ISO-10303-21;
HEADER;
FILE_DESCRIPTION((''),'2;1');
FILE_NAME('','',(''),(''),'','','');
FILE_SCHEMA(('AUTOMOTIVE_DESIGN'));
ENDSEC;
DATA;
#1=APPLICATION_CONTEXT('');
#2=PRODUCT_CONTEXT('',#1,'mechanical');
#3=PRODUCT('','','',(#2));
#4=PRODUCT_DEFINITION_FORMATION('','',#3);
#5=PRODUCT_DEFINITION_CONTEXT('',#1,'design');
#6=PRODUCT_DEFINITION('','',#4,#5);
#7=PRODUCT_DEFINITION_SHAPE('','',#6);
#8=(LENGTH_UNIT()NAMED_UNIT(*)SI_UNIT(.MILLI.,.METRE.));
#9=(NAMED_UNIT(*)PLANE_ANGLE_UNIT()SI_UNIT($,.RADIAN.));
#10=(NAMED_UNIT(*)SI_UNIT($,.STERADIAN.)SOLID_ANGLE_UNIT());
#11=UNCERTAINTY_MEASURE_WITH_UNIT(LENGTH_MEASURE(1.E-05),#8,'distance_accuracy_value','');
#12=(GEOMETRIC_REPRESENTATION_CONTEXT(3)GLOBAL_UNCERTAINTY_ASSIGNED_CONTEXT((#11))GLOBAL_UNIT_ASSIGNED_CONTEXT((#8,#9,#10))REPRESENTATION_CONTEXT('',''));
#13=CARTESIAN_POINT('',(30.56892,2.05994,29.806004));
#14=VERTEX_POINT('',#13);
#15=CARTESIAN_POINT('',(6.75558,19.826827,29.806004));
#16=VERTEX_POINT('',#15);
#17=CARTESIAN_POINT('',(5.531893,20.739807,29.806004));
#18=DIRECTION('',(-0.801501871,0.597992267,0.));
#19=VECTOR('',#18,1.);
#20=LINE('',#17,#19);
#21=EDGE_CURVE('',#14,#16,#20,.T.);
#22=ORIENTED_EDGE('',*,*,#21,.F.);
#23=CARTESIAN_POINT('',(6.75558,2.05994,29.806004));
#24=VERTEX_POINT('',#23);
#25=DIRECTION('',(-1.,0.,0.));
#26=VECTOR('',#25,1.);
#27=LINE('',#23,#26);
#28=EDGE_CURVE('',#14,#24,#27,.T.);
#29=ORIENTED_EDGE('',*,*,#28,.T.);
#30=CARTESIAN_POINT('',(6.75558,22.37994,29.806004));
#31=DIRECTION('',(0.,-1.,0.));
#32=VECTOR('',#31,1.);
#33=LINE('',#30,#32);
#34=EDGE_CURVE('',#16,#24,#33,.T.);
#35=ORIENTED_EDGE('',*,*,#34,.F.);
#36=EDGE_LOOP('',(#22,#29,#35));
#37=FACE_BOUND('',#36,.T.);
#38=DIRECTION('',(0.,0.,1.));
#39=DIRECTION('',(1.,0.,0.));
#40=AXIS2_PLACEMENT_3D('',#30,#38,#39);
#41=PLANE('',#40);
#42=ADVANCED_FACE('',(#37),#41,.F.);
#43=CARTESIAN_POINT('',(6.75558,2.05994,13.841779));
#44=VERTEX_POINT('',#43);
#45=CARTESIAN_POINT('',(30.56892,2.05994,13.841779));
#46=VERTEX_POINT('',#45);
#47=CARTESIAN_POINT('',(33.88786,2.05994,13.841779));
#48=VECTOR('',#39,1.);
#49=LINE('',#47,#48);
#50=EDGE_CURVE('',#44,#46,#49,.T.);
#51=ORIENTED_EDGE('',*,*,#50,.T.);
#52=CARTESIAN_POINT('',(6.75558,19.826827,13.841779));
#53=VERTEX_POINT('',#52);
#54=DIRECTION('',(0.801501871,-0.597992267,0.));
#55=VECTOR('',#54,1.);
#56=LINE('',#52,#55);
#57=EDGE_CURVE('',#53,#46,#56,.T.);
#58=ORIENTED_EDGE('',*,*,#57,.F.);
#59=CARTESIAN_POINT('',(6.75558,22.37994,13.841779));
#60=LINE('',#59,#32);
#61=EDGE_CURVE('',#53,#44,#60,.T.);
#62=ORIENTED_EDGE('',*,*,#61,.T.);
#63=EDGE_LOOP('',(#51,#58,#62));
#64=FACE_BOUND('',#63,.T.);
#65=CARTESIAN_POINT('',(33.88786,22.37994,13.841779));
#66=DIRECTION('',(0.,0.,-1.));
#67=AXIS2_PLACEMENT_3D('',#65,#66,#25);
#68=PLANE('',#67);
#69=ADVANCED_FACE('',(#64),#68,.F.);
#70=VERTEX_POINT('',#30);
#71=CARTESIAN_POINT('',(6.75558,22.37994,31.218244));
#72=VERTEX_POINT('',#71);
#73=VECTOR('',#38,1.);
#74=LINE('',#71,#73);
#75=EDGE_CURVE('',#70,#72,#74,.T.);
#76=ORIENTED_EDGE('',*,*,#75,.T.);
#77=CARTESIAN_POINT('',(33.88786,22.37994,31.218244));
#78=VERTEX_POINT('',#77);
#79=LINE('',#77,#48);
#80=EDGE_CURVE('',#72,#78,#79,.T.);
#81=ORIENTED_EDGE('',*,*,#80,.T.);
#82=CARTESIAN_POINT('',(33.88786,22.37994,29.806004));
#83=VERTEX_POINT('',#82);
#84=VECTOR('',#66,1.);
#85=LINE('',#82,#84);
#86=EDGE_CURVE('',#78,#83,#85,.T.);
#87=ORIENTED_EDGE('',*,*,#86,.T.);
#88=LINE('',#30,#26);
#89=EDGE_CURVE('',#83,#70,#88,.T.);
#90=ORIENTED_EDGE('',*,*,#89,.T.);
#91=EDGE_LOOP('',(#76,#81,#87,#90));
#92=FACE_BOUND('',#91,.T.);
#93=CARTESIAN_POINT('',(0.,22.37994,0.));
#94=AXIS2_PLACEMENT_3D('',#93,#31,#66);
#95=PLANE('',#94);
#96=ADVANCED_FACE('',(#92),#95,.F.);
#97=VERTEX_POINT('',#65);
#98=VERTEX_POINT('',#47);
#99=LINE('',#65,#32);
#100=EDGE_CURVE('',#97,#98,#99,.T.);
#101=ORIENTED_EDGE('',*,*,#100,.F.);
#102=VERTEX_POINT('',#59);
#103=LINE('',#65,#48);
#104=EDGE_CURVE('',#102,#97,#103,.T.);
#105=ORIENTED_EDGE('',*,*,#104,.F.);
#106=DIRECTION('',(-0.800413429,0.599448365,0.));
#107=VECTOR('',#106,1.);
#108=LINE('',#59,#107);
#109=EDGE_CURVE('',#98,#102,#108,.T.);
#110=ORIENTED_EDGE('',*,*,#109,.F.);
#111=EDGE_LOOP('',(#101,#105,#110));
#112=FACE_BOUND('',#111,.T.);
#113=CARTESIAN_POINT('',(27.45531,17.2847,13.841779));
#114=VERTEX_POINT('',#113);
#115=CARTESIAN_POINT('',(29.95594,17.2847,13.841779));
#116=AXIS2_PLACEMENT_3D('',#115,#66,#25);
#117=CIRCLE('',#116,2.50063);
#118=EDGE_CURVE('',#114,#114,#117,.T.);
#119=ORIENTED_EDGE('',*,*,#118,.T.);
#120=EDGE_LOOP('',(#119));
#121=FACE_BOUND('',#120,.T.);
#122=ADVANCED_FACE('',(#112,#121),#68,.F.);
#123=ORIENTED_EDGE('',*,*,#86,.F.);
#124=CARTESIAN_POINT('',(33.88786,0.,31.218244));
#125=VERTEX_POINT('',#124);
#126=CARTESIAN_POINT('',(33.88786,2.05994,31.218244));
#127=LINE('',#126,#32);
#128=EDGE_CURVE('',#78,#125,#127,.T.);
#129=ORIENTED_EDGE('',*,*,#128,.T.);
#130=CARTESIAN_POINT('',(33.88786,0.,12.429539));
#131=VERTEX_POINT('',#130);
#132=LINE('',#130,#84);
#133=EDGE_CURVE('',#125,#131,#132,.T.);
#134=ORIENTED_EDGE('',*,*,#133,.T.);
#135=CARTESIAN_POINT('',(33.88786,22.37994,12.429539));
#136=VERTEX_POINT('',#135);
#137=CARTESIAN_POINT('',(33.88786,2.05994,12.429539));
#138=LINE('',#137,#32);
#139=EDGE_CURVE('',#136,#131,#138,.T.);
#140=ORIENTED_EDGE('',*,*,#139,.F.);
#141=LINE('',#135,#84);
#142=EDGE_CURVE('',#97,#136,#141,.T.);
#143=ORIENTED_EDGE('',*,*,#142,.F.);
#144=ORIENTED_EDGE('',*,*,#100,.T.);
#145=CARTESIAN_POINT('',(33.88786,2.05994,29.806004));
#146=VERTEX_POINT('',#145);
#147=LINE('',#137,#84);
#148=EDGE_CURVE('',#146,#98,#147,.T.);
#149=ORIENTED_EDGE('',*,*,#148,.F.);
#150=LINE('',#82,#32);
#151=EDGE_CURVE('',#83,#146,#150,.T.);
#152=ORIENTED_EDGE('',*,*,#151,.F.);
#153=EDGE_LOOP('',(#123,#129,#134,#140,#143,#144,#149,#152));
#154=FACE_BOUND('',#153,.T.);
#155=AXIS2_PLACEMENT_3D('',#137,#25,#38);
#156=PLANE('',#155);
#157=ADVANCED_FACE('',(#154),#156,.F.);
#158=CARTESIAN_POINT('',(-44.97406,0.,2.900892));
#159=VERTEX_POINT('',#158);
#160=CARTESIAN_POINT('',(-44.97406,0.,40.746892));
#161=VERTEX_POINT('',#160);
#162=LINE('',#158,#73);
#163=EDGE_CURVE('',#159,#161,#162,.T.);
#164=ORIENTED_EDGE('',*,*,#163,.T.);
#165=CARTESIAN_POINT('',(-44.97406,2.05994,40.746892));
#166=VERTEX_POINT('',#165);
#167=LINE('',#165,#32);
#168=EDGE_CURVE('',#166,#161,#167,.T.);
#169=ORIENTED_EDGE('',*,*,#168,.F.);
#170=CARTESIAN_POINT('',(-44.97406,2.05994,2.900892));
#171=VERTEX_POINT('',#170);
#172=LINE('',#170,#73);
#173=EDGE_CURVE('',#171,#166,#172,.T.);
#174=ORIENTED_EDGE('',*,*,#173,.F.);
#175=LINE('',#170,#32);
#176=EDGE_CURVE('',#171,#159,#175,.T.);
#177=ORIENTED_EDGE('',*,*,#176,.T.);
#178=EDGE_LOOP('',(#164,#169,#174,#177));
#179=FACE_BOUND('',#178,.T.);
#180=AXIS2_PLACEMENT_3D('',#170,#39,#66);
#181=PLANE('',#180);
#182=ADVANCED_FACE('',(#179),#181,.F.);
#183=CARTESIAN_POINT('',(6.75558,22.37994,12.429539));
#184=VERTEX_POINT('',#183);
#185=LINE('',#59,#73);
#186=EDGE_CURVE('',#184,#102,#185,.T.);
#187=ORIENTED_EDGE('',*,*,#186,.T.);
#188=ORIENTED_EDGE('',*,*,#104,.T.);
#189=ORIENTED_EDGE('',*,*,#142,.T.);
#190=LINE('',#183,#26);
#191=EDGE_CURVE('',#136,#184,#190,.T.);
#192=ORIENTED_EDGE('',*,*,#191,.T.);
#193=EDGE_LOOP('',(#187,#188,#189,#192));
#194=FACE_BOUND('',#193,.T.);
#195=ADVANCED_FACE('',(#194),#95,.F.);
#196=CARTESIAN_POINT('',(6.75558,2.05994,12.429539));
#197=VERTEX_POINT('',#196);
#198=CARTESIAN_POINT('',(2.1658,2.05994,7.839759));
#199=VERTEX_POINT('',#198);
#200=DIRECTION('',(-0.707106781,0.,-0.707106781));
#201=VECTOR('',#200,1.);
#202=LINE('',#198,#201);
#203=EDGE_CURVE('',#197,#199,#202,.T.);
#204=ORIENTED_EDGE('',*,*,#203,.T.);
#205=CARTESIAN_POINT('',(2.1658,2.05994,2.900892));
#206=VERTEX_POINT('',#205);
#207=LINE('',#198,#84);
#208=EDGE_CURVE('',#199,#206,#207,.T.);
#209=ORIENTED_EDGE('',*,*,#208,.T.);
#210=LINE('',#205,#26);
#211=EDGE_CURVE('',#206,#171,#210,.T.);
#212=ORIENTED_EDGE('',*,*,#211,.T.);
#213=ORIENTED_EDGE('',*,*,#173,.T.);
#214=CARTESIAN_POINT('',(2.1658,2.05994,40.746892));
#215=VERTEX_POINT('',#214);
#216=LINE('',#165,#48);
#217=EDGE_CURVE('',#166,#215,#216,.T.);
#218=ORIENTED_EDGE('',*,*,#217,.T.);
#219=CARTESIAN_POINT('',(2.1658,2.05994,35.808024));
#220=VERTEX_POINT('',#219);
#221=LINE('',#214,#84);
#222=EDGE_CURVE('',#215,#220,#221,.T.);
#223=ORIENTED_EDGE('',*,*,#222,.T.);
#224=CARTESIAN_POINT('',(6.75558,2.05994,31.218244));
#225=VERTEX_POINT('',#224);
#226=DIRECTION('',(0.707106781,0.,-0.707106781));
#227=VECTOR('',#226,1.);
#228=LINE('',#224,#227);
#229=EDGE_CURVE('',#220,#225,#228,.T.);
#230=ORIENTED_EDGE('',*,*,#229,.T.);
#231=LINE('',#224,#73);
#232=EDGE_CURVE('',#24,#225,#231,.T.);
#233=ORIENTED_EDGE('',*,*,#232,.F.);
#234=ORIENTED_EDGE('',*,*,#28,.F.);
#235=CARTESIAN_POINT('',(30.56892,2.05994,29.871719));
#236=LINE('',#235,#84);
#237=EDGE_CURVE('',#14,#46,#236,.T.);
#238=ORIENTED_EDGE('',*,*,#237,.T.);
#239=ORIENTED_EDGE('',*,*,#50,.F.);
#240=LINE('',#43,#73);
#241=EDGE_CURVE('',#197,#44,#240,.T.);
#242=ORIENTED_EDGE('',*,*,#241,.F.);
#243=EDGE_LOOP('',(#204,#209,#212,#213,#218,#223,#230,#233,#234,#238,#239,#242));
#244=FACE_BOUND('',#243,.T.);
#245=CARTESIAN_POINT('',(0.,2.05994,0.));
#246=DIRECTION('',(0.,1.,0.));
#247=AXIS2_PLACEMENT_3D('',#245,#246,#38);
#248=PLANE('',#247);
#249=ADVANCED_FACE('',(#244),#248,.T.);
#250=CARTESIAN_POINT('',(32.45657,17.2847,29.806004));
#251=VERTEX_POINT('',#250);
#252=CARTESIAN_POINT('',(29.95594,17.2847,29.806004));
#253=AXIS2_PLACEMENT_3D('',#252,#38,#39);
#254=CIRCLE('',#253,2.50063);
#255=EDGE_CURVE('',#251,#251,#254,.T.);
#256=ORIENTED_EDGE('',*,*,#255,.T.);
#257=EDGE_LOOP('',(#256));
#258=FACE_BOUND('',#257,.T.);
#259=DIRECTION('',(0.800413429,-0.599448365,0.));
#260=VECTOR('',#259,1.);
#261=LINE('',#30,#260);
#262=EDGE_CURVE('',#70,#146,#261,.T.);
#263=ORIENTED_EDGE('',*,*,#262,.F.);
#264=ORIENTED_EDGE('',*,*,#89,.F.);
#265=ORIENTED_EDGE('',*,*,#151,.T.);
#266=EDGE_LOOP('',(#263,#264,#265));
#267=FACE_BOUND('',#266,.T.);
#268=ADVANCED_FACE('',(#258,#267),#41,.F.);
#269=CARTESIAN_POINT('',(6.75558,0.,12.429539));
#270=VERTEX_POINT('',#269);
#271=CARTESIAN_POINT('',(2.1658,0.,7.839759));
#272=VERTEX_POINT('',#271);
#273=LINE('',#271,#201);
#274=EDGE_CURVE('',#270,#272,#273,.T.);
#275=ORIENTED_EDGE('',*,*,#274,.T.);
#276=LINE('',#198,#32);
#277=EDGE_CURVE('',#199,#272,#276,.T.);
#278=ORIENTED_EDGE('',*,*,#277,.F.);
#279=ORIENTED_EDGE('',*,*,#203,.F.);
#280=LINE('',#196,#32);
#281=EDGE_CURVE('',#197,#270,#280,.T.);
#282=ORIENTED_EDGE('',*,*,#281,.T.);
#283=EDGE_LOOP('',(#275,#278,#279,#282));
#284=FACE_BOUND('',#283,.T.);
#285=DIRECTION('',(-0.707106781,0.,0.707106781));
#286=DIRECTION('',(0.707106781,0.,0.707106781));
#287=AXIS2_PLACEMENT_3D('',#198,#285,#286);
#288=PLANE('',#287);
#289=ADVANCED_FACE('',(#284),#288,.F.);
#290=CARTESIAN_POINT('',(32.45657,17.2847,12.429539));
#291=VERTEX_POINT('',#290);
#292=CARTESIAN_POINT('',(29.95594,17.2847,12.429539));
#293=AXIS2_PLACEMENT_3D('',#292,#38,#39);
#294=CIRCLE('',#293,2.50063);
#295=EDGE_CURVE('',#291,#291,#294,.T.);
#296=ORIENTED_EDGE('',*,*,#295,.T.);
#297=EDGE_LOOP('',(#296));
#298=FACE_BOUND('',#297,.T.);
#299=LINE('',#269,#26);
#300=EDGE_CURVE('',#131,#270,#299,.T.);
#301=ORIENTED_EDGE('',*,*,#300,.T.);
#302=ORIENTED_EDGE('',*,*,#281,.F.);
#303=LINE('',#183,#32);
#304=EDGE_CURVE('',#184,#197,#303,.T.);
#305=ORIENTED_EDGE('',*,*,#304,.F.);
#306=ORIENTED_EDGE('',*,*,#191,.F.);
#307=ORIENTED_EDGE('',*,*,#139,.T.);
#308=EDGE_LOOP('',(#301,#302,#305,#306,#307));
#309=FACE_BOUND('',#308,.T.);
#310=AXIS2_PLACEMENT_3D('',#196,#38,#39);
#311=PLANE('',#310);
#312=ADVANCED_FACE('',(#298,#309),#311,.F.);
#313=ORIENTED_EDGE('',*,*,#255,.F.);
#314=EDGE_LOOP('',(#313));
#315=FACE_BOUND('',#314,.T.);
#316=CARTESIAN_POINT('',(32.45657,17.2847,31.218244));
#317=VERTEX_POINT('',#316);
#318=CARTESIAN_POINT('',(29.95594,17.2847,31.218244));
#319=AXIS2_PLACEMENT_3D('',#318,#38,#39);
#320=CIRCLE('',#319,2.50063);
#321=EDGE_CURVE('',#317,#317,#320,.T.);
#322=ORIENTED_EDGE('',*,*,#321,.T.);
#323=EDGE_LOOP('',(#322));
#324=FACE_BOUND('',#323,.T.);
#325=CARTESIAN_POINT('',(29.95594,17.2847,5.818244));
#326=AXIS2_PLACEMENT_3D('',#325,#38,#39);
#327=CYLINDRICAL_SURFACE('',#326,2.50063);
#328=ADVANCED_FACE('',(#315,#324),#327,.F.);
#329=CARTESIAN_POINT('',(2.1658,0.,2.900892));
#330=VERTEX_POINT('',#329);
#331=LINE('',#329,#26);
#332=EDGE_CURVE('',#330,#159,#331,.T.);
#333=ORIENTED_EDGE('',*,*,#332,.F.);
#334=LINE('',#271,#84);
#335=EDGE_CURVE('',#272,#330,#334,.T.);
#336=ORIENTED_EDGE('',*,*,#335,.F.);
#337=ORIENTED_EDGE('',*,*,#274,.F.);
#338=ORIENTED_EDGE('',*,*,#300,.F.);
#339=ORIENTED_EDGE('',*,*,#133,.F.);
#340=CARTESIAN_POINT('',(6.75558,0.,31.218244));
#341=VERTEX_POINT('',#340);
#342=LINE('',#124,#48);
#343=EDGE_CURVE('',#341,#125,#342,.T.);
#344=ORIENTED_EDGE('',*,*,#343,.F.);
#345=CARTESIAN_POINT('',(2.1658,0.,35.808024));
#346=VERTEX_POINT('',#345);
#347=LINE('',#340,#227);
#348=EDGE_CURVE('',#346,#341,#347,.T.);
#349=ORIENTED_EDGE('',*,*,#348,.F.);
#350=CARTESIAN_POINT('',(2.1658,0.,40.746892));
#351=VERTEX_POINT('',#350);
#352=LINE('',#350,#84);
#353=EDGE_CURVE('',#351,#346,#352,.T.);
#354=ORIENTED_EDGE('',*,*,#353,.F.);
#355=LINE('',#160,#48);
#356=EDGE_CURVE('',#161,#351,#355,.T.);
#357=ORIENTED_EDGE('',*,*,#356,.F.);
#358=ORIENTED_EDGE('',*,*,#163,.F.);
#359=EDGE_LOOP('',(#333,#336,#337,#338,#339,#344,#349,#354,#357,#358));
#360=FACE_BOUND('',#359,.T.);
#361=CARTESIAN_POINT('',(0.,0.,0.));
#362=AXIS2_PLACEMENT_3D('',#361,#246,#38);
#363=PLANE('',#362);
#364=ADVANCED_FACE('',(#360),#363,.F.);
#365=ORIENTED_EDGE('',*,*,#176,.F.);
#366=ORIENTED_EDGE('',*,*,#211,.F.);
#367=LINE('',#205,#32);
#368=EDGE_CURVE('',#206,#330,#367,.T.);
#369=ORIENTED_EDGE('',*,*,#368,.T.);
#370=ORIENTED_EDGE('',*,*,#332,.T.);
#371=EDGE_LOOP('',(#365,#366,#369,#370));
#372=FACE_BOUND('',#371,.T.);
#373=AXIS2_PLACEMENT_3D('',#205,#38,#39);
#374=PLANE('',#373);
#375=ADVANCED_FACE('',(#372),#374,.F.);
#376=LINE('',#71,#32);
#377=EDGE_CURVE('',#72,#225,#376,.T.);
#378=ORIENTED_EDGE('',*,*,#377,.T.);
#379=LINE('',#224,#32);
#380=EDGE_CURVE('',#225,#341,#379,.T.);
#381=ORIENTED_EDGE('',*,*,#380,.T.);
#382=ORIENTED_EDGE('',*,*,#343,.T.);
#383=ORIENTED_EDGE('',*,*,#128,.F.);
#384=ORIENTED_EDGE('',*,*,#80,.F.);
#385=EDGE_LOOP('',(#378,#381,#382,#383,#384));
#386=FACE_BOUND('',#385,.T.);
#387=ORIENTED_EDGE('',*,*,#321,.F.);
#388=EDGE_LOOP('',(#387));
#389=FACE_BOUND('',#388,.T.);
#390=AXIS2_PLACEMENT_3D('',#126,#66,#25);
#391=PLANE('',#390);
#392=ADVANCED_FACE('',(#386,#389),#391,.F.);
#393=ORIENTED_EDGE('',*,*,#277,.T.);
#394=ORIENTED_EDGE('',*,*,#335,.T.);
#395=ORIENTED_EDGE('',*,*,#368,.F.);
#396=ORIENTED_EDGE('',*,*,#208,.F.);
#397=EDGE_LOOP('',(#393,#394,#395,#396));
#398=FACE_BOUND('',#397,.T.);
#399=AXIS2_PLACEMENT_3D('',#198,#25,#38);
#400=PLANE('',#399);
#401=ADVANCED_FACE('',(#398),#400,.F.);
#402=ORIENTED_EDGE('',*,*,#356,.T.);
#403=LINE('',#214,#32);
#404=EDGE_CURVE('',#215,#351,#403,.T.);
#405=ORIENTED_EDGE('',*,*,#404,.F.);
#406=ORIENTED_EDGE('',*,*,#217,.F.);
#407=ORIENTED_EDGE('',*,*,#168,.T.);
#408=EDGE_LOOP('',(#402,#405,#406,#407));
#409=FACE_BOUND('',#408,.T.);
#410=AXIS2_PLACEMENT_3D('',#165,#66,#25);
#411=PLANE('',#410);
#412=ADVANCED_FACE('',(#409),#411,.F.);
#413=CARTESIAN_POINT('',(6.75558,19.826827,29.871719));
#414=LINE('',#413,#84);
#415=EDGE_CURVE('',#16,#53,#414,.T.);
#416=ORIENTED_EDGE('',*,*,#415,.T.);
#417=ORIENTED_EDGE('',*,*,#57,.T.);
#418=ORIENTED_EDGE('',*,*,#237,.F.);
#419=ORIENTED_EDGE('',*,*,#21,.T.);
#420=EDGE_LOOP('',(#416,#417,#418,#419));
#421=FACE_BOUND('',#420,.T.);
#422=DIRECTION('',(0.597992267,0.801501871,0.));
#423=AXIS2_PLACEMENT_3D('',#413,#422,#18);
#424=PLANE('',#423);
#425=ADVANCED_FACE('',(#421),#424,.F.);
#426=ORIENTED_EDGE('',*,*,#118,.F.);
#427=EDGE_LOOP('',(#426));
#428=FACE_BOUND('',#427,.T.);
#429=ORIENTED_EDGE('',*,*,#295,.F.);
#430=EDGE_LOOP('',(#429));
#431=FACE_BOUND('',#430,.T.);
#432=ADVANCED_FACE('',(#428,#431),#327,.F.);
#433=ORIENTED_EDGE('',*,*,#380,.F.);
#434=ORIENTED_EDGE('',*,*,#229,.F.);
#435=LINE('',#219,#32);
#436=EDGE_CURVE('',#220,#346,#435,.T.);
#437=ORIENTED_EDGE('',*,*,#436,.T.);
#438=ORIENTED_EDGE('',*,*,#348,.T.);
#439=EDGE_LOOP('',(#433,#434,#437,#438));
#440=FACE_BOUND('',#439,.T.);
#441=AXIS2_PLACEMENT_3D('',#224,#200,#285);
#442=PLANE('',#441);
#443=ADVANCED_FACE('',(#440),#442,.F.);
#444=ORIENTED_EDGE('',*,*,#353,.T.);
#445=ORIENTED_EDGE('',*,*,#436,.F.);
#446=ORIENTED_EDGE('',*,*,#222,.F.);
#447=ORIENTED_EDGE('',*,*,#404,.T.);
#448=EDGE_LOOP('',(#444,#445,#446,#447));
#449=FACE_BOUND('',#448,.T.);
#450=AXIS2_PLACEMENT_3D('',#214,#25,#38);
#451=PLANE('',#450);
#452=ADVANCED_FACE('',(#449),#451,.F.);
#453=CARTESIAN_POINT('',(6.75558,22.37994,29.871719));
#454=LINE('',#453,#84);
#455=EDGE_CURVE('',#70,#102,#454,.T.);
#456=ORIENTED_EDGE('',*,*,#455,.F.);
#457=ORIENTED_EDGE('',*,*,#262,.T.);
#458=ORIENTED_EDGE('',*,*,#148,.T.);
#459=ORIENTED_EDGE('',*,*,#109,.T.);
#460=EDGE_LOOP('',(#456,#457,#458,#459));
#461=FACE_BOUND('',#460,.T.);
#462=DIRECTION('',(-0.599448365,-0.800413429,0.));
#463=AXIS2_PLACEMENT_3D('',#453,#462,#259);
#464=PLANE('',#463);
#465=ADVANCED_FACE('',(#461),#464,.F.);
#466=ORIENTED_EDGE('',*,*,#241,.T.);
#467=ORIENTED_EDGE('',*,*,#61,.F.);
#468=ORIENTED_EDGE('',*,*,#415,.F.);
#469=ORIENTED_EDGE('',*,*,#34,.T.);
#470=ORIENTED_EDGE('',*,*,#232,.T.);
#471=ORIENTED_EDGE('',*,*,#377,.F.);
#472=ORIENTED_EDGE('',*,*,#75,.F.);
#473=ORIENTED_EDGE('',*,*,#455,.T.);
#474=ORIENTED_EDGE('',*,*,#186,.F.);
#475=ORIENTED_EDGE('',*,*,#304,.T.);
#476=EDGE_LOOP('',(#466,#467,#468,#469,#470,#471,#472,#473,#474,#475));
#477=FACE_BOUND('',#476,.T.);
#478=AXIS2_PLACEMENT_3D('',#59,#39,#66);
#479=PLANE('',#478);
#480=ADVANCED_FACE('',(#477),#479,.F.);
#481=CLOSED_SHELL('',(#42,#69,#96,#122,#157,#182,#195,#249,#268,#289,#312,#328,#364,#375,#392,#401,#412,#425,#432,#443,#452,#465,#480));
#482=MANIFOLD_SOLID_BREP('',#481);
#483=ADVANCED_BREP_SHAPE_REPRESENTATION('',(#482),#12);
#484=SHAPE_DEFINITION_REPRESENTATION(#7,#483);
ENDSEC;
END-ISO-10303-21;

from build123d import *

# Parameters (mm, degrees)
BOSS_EXTRUDE6_DEPTH  = 2.05994
SKETCH9_W            = 27.13228
SKETCH9_H            = 1.41224
BOSS_EXTRUDE7_DEPTH  = 20.32
SKETCH10_R           = 2.50063
CUT_EXTRUDE3_DEPTH   = 25.4
BOSS_EXTRUDE10_DEPTH = 16.02994


with BuildPart() as part:
    # Sketch8 → Boss-Extrude6 (new body)
    with BuildSketch(Plane(origin=(0, 0, 0), x_dir=(1, 0, 0), z_dir=(0, 1, 0))):
        Polygon((-44.974060072, -2.900891689), (-44.974060072, -40.746891689), (2.165799928, -40.746891689), (2.165799928, -35.808024144), (6.755579928, -31.218244144), (33.887859928, -31.218244144), (33.887859928, -12.429539234), (6.755579928, -12.429539234), (2.165799928, -7.839759234), (2.165799928, -2.900891689), align=None)
    extrude(amount=BOSS_EXTRUDE6_DEPTH)

    # Sketch9 → Boss-Extrude7 (add)
    with BuildSketch(Plane(origin=(0, 2.05994, 0), x_dir=(1, 0, 0), z_dir=(0, 1, 0))):
        with Locations((20.321719928, -13.135659234)):
            Rectangle(SKETCH9_W, SKETCH9_H)
        with Locations((20.321719928, -30.512124144)):
            Rectangle(SKETCH9_W, SKETCH9_H)
    extrude(amount=BOSS_EXTRUDE7_DEPTH)

    # Sketch10 → Cut-Extrude3 (cut)
    with BuildSketch(Plane.XY.offset(31.218244144)):
        with Locations((29.955939928, 17.2847)):
            Circle(SKETCH10_R)
    extrude(amount=-CUT_EXTRUDE3_DEPTH, mode=Mode.SUBTRACT)

    # Sketch14 → Boss-Extrude10 (add)
    with BuildSketch(Plane.XY.offset(13.841779234)):
        Polygon((6.755579928, 22.37994), (33.887859928, 2.05994), (30.568919609, 2.05994), (6.755579928, 19.826826768), align=None)
    extrude(amount=BOSS_EXTRUDE10_DEPTH)


solid = part.part
